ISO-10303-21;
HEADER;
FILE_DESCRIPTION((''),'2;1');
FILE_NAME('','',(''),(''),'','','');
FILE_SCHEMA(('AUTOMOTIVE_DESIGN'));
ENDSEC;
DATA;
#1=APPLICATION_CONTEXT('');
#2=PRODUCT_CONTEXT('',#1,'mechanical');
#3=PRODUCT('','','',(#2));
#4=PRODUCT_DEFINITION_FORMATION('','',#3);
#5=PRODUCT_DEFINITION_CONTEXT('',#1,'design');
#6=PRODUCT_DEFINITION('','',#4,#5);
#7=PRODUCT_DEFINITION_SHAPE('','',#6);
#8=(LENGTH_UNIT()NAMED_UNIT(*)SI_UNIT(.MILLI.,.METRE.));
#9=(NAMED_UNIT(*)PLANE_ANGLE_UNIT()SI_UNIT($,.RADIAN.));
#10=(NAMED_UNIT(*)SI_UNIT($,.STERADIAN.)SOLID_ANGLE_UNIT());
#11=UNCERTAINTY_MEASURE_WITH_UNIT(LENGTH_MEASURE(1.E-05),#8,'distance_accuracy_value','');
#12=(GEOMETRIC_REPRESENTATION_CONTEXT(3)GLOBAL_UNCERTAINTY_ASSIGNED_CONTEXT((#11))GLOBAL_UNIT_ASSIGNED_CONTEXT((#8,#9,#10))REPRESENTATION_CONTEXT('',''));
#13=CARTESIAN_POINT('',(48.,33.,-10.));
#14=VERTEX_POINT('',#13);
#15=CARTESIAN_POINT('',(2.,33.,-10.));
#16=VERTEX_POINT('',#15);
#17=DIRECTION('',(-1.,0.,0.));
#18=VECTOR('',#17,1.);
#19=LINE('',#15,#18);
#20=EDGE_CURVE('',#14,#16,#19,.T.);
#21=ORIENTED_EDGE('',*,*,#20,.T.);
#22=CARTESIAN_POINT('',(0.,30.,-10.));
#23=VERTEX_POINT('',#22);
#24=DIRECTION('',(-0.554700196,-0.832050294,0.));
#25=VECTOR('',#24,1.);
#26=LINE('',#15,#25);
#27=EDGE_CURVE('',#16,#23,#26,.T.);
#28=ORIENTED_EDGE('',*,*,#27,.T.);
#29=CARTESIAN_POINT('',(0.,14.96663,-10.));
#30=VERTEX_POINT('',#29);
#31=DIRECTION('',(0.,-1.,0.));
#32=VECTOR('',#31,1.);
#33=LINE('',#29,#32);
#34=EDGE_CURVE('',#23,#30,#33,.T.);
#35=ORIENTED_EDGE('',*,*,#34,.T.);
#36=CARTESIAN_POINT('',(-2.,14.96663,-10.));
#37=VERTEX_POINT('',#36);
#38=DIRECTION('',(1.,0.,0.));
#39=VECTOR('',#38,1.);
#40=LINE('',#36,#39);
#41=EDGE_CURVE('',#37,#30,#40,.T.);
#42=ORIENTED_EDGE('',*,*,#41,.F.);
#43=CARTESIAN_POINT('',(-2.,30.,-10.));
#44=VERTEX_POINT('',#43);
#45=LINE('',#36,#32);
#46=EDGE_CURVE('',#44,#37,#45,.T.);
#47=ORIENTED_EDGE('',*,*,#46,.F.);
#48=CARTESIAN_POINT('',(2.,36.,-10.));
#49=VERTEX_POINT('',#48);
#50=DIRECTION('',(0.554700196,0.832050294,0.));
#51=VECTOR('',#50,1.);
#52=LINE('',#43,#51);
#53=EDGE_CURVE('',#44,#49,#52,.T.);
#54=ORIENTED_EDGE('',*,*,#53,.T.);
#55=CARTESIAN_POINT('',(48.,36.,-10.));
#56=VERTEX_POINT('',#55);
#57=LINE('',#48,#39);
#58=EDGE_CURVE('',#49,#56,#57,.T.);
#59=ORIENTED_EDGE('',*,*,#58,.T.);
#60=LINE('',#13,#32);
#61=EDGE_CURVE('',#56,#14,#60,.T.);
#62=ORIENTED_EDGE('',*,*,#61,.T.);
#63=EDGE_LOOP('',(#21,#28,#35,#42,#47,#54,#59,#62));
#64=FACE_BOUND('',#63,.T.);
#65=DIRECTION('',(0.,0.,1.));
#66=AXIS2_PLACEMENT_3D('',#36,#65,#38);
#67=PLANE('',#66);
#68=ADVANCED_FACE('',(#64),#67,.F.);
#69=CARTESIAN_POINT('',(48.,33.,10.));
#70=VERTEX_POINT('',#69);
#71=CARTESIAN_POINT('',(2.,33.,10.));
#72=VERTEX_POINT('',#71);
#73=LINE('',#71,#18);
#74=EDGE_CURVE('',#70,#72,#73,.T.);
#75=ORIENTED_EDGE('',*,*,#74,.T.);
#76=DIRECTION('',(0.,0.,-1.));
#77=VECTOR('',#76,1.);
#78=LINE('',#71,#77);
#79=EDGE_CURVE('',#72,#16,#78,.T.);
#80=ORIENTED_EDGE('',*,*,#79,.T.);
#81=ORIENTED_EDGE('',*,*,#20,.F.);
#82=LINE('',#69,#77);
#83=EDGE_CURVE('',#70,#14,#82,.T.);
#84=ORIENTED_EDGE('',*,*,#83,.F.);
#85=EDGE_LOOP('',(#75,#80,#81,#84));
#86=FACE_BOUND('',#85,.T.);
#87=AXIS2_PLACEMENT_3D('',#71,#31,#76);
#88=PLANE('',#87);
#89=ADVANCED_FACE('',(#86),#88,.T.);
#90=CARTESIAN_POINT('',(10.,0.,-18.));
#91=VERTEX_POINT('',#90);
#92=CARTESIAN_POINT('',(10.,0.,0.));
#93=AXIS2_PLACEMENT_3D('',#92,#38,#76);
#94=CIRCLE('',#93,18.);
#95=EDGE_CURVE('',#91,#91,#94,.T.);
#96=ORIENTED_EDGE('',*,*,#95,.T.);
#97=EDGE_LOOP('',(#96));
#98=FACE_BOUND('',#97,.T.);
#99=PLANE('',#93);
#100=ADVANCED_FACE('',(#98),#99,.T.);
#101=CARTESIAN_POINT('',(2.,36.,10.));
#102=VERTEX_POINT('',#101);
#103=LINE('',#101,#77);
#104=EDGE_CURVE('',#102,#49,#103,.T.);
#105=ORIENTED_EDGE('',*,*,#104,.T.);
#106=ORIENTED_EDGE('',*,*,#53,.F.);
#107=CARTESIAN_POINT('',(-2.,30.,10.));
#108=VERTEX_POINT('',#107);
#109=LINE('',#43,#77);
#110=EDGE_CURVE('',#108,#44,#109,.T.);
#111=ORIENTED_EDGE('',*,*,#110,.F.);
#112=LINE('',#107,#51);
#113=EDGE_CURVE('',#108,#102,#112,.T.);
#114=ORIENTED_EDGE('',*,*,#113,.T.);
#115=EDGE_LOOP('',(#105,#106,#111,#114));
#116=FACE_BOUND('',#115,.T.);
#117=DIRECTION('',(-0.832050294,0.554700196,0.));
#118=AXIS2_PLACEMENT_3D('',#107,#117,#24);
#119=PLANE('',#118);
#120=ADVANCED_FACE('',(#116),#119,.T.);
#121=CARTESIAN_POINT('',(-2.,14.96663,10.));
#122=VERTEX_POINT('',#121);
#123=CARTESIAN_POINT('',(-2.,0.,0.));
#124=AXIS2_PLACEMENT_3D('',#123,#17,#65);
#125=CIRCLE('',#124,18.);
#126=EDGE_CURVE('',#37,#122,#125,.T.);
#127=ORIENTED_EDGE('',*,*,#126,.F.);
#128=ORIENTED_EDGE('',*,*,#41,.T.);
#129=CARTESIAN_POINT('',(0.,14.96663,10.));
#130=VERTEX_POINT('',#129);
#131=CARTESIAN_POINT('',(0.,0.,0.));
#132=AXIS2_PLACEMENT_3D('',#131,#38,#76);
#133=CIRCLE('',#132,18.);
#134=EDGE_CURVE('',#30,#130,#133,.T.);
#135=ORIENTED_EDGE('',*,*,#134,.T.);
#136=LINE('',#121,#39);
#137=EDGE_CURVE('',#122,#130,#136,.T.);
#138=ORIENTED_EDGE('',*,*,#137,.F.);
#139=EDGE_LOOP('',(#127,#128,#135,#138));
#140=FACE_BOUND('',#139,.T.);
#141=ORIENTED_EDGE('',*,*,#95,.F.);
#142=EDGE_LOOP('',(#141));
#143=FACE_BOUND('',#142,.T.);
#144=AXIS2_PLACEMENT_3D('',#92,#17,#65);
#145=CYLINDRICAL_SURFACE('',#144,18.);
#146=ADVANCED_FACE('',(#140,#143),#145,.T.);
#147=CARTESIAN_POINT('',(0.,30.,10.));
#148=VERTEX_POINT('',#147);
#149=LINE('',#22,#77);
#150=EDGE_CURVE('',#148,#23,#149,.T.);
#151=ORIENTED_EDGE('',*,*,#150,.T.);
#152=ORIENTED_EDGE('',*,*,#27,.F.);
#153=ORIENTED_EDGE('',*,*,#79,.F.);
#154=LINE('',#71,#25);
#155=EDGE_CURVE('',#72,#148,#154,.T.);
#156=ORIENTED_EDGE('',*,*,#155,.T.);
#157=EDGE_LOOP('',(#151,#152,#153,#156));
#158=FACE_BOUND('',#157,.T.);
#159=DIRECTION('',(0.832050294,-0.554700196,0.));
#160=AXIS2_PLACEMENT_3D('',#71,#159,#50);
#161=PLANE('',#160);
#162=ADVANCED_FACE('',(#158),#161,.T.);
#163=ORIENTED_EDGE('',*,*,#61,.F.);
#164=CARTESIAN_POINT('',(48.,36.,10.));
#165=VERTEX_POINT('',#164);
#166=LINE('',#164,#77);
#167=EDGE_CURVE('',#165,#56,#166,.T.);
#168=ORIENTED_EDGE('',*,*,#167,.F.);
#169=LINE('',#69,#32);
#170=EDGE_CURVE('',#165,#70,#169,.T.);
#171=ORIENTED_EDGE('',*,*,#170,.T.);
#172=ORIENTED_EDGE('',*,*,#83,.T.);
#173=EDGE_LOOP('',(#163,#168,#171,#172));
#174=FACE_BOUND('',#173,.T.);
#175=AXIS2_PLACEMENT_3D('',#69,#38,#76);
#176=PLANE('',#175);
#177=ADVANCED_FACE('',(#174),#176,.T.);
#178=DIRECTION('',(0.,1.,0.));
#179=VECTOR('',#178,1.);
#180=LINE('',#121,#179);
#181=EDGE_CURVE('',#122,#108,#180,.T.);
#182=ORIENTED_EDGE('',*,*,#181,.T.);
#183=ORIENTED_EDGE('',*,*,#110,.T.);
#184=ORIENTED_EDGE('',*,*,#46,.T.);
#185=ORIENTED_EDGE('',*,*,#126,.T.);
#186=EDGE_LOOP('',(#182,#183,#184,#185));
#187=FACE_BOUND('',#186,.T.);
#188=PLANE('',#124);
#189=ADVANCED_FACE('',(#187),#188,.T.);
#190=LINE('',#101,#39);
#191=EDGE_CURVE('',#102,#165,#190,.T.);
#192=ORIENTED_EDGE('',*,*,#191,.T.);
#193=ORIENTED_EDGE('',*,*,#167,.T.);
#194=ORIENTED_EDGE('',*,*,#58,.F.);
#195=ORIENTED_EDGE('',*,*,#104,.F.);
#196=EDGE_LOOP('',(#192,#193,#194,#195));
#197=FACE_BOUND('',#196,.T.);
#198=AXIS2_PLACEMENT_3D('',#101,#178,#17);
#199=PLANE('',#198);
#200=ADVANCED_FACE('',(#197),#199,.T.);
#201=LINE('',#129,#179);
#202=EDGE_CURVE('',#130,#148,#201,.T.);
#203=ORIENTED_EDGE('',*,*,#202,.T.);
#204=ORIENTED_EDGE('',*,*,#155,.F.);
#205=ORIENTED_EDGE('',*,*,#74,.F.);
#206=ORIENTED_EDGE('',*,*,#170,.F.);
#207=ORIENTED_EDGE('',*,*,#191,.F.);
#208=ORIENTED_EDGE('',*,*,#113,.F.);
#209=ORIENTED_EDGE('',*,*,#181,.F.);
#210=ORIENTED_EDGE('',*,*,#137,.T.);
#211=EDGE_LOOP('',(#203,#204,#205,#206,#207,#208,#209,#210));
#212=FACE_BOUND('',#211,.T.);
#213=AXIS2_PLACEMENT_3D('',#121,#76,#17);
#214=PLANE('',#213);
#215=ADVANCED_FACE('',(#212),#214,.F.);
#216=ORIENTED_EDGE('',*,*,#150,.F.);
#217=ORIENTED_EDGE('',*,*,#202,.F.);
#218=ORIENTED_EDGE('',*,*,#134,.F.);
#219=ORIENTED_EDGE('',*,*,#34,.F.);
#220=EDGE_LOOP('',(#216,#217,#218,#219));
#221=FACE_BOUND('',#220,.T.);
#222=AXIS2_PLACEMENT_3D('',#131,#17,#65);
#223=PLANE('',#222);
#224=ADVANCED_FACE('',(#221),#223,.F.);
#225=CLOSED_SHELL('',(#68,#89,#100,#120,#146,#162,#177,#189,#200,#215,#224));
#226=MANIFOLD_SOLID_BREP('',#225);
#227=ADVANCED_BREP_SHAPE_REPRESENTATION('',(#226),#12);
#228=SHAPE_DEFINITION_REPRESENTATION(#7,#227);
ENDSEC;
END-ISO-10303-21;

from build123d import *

# Parameters (mm, degrees)
SKETCH1_R           = 18
BOSS_EXTRUDE1_DEPTH = 10
BOSS_EXTRUDE2_DEPTH = 2
BOSS_EXTRUDE4_DEPTH = 20


with BuildPart() as part:
    # Sketch1 → Boss-Extrude1 (new body)
    with BuildSketch(Plane(origin=(0, 0, 0), x_dir=(0, 0, -1), z_dir=(1, 0, 0))):
        Circle(SKETCH1_R)
    extrude(amount=BOSS_EXTRUDE1_DEPTH)

    # Sketch2 → Boss-Extrude2 (add)
    with BuildSketch(Plane.ZY):
        with BuildLine():
            Line((-10, 14.966629547), (-10, 30))
            Line((-10, 30), (10, 30))
            Line((10, 30), (10, 14.966629547))
            ThreePointArc((10, 14.966629547), (0, -18), (-10, 14.966629547))
        make_face()
    extrude(amount=BOSS_EXTRUDE2_DEPTH)

    # Sketch5 → Boss-Extrude4 (add)
    with BuildSketch(Plane(origin=(0, 0, -10), x_dir=(-1, 0, 0), z_dir=(0, 0, -1))):
        Polygon((-2, 36), (-48, 36), (-48, 33), (-2, 33), (0, 30), (0, 14.966629547), (2, 14.966629547), (2, 30), align=None)
    extrude(amount=-BOSS_EXTRUDE4_DEPTH)


solid = part.part
